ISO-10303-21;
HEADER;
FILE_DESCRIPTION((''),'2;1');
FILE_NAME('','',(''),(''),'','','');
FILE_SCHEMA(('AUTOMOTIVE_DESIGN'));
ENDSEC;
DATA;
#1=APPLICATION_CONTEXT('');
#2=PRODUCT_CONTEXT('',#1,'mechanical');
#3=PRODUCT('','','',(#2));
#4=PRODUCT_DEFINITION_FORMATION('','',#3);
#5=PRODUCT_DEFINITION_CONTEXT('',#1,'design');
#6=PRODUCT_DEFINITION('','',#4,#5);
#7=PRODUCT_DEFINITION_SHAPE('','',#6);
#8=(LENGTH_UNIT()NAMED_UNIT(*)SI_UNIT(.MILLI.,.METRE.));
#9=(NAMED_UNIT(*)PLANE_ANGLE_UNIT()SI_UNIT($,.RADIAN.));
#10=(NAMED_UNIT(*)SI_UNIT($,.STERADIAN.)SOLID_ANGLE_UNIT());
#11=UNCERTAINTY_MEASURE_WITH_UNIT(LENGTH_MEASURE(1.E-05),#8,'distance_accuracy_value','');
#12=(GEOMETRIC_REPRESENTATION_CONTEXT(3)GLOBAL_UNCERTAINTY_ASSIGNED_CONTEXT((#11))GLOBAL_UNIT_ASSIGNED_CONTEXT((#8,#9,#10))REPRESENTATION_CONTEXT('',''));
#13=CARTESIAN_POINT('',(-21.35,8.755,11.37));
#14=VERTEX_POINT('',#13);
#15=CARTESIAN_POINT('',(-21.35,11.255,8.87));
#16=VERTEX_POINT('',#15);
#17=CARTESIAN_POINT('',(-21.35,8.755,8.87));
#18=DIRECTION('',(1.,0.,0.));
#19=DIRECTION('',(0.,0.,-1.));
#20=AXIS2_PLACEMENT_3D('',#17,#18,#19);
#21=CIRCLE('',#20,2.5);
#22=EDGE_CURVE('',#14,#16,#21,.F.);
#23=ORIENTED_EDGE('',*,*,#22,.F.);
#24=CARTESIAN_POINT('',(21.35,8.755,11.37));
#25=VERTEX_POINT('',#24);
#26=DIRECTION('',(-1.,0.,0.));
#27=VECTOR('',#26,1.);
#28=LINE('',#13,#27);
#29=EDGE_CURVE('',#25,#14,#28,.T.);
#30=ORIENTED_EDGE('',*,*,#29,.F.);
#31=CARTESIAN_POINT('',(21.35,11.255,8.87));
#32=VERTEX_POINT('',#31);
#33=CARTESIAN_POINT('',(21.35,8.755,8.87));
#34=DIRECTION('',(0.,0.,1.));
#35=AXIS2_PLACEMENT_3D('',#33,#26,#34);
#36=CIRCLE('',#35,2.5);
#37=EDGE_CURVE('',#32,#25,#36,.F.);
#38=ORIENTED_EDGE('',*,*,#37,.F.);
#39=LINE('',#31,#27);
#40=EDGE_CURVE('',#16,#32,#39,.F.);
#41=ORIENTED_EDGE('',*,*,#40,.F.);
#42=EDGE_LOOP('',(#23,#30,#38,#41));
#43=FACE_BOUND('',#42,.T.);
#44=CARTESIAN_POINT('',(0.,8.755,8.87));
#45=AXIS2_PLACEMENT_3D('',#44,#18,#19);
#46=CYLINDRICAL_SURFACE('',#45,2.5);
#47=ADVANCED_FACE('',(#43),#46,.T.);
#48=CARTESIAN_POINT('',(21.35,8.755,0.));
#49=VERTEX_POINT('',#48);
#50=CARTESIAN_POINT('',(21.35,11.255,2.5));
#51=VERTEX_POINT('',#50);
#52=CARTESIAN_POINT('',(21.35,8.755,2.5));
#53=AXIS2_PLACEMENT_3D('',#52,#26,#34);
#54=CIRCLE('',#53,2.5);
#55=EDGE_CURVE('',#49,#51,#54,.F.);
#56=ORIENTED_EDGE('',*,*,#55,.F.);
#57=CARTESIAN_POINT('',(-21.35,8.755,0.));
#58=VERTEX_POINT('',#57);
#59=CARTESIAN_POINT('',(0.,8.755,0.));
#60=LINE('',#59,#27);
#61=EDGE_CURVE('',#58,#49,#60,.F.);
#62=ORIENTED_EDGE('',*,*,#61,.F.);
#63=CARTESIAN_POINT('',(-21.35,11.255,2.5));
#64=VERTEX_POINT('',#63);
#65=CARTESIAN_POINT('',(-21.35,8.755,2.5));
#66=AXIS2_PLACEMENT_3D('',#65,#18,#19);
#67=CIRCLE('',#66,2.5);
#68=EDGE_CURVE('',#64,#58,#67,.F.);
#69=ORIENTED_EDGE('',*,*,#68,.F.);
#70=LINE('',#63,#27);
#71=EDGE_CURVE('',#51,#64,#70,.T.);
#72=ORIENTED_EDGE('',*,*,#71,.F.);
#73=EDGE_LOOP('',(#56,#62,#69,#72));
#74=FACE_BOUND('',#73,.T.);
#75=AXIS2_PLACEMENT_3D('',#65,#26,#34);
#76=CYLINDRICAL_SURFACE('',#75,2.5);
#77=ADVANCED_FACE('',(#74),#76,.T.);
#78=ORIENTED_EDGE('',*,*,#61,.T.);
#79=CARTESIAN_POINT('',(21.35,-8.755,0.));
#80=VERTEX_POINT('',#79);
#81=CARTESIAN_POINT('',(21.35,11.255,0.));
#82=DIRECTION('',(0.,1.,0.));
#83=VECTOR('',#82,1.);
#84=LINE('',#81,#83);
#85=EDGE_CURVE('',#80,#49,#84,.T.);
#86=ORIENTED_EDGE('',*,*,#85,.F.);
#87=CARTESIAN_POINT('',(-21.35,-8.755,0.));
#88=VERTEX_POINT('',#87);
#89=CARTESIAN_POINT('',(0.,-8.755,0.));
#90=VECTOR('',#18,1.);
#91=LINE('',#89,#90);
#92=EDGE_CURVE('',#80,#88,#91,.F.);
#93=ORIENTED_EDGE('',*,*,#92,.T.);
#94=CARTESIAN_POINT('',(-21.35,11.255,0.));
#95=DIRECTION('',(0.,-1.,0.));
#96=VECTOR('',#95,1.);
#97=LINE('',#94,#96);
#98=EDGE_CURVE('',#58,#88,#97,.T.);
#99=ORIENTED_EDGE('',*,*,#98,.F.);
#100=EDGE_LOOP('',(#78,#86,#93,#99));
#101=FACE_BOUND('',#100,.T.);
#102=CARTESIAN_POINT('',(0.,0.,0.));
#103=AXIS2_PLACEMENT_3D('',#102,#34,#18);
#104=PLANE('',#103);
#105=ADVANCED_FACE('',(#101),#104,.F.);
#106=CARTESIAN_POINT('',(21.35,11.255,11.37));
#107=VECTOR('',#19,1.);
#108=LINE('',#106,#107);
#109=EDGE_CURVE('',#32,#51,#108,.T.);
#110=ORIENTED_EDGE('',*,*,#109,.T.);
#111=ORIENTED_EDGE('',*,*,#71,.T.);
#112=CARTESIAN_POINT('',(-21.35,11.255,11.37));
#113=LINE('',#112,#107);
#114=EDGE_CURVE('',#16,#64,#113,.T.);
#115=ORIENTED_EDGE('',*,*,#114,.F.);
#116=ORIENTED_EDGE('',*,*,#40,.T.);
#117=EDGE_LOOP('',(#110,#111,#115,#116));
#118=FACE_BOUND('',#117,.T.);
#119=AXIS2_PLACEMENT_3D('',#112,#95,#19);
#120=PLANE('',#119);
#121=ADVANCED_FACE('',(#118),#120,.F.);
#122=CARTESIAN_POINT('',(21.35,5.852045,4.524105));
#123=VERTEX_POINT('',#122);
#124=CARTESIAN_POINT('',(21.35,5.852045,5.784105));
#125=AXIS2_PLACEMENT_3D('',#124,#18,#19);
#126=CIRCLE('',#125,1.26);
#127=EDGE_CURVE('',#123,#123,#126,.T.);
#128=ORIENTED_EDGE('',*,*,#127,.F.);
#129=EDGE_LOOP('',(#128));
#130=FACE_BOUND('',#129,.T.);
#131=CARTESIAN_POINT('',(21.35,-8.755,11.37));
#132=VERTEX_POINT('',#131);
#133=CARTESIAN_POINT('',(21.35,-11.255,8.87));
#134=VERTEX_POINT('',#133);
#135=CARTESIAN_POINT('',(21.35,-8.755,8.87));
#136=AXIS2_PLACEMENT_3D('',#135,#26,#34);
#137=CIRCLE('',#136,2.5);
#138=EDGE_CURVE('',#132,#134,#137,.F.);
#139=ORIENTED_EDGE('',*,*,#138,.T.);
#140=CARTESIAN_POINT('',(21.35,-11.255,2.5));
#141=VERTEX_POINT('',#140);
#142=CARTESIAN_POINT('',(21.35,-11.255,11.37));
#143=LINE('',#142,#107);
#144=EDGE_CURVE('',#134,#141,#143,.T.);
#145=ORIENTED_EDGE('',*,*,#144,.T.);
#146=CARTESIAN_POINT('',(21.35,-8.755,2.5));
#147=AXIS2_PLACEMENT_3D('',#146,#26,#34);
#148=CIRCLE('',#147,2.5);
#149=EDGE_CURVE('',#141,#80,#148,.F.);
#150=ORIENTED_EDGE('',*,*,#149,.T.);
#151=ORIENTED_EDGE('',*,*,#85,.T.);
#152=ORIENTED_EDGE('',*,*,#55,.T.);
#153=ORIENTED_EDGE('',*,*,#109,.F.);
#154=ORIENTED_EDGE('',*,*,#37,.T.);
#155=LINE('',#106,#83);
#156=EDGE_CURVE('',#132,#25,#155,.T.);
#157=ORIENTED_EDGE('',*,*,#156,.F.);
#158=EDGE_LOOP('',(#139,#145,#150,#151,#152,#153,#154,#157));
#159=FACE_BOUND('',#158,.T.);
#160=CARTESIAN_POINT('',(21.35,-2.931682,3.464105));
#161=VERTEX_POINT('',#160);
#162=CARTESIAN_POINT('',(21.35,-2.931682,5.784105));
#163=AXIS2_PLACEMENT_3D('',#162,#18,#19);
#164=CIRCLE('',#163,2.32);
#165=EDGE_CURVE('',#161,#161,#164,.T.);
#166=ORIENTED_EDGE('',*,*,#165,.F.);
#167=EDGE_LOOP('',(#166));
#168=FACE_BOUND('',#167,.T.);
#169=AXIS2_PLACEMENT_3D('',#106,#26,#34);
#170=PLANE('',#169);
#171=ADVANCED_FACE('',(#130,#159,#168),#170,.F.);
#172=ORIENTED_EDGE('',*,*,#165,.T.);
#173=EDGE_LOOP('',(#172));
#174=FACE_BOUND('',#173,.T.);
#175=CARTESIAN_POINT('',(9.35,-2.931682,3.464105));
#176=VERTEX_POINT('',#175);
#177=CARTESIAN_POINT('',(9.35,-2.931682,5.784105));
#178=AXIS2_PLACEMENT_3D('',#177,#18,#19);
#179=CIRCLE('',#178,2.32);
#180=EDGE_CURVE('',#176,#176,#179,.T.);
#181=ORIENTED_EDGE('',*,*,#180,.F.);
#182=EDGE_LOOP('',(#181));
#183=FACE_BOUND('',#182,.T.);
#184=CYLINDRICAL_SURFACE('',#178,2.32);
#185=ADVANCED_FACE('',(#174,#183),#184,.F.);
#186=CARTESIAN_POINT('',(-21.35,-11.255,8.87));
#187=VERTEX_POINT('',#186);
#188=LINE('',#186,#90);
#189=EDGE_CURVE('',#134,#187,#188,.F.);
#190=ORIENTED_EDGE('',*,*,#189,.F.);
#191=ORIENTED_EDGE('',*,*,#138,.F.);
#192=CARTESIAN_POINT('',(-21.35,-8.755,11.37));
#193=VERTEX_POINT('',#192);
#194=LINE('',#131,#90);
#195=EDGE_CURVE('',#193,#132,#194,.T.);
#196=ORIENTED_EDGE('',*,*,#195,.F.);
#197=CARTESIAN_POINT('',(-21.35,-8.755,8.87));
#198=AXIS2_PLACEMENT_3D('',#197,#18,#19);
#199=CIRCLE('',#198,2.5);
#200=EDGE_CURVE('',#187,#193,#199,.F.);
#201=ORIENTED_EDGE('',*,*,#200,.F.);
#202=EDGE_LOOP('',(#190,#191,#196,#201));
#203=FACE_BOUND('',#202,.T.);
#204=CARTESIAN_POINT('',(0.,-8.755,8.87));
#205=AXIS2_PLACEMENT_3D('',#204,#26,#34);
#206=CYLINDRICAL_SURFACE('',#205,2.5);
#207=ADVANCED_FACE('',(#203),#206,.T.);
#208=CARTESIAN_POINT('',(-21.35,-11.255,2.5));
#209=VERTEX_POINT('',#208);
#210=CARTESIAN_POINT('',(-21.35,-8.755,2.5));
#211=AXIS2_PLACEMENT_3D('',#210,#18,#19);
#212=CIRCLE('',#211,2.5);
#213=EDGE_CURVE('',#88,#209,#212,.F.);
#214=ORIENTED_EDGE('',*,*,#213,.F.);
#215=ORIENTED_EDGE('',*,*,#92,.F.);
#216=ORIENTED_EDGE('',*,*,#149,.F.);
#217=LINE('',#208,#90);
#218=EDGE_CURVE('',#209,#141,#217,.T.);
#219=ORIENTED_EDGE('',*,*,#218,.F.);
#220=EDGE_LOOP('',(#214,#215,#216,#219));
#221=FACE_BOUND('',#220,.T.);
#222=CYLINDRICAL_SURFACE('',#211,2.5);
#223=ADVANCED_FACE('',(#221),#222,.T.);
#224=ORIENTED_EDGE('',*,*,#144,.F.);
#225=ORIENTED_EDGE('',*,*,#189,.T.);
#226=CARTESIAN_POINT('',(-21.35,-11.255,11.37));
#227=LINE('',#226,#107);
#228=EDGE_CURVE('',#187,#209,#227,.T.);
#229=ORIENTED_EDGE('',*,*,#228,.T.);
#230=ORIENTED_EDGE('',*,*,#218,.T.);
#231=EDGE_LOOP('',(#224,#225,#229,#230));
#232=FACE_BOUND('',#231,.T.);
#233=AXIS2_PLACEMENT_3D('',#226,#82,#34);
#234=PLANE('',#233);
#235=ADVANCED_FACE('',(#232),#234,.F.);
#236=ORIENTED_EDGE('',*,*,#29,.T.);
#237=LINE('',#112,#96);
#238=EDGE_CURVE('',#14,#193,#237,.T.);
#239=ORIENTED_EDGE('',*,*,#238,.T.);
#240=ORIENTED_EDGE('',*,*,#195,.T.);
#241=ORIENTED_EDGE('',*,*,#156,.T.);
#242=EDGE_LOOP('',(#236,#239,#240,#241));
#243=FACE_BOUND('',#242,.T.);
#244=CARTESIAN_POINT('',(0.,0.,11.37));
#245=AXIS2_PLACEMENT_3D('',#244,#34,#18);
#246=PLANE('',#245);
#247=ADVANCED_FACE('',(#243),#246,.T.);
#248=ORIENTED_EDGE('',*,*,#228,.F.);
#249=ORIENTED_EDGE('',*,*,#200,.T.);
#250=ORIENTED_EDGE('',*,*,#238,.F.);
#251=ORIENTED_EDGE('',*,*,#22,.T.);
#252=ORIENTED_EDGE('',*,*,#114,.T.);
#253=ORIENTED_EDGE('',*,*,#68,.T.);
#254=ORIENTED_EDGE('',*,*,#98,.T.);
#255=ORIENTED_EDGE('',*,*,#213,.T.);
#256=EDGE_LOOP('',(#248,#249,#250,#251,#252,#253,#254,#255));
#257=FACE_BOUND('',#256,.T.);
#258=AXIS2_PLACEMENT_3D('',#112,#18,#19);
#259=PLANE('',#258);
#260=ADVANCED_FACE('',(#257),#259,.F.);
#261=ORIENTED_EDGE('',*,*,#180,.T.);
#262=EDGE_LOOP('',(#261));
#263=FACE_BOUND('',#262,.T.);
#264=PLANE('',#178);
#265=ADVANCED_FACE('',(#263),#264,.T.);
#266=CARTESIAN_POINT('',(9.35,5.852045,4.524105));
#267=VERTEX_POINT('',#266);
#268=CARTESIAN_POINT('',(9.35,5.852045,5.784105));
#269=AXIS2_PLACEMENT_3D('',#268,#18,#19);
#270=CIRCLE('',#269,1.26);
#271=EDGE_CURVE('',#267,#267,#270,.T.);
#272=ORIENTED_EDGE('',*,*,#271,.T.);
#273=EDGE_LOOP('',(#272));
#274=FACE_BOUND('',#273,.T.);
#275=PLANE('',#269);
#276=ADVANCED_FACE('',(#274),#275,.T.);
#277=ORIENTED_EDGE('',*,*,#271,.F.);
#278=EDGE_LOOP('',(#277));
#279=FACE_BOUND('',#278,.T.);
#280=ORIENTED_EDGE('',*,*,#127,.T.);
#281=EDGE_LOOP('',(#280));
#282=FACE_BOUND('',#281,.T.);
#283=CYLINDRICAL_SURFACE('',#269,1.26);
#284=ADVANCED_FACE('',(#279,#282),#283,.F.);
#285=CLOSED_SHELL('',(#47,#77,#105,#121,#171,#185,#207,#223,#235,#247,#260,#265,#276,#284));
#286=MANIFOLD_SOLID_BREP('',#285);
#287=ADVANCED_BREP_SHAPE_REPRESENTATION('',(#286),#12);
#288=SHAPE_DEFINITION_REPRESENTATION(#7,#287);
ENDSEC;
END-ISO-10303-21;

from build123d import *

# Parameters (mm, degrees)
SKETCH1_W           = 42.7
SKETCH1_H           = 22.51
BOSS_EXTRUDE1_DEPTH = 11.37
FILLET1_R           = 2.5
SKETCH2_R           = 1.26
SKETCH2_R_2         = 2.32
CUT_EXTRUDE1_DEPTH  = 12


with BuildPart() as part:
    # Sketch1 → Boss-Extrude1 (new body)
    with BuildSketch(Plane.XY):
        Rectangle(SKETCH1_W, SKETCH1_H)
    extrude(amount=BOSS_EXTRUDE1_DEPTH)

    # Fillet1
    fillet1_edges = [part.edges().sort_by_distance(p)[0] for p in [
        (0, -11.255, 11.37),
        (0, -11.255, 0),
        (0, 11.255, 0),
        (0, 11.255, 11.37),
    ]]
    fillet(fillet1_edges, radius=FILLET1_R)

    # Sketch2 → Cut-Extrude1 (cut)
    with BuildSketch(Plane(origin=(21.35, 0, 0), x_dir=(0, 0, -1), z_dir=(1, 0, 0))):
        with Locations((-5.784105099, 5.852044752)):
            Circle(SKETCH2_R)
        with Locations((-5.784105099, -2.931681994)):
            Circle(SKETCH2_R_2)
    extrude(amount=-CUT_EXTRUDE1_DEPTH, mode=Mode.SUBTRACT)


solid = part.part
